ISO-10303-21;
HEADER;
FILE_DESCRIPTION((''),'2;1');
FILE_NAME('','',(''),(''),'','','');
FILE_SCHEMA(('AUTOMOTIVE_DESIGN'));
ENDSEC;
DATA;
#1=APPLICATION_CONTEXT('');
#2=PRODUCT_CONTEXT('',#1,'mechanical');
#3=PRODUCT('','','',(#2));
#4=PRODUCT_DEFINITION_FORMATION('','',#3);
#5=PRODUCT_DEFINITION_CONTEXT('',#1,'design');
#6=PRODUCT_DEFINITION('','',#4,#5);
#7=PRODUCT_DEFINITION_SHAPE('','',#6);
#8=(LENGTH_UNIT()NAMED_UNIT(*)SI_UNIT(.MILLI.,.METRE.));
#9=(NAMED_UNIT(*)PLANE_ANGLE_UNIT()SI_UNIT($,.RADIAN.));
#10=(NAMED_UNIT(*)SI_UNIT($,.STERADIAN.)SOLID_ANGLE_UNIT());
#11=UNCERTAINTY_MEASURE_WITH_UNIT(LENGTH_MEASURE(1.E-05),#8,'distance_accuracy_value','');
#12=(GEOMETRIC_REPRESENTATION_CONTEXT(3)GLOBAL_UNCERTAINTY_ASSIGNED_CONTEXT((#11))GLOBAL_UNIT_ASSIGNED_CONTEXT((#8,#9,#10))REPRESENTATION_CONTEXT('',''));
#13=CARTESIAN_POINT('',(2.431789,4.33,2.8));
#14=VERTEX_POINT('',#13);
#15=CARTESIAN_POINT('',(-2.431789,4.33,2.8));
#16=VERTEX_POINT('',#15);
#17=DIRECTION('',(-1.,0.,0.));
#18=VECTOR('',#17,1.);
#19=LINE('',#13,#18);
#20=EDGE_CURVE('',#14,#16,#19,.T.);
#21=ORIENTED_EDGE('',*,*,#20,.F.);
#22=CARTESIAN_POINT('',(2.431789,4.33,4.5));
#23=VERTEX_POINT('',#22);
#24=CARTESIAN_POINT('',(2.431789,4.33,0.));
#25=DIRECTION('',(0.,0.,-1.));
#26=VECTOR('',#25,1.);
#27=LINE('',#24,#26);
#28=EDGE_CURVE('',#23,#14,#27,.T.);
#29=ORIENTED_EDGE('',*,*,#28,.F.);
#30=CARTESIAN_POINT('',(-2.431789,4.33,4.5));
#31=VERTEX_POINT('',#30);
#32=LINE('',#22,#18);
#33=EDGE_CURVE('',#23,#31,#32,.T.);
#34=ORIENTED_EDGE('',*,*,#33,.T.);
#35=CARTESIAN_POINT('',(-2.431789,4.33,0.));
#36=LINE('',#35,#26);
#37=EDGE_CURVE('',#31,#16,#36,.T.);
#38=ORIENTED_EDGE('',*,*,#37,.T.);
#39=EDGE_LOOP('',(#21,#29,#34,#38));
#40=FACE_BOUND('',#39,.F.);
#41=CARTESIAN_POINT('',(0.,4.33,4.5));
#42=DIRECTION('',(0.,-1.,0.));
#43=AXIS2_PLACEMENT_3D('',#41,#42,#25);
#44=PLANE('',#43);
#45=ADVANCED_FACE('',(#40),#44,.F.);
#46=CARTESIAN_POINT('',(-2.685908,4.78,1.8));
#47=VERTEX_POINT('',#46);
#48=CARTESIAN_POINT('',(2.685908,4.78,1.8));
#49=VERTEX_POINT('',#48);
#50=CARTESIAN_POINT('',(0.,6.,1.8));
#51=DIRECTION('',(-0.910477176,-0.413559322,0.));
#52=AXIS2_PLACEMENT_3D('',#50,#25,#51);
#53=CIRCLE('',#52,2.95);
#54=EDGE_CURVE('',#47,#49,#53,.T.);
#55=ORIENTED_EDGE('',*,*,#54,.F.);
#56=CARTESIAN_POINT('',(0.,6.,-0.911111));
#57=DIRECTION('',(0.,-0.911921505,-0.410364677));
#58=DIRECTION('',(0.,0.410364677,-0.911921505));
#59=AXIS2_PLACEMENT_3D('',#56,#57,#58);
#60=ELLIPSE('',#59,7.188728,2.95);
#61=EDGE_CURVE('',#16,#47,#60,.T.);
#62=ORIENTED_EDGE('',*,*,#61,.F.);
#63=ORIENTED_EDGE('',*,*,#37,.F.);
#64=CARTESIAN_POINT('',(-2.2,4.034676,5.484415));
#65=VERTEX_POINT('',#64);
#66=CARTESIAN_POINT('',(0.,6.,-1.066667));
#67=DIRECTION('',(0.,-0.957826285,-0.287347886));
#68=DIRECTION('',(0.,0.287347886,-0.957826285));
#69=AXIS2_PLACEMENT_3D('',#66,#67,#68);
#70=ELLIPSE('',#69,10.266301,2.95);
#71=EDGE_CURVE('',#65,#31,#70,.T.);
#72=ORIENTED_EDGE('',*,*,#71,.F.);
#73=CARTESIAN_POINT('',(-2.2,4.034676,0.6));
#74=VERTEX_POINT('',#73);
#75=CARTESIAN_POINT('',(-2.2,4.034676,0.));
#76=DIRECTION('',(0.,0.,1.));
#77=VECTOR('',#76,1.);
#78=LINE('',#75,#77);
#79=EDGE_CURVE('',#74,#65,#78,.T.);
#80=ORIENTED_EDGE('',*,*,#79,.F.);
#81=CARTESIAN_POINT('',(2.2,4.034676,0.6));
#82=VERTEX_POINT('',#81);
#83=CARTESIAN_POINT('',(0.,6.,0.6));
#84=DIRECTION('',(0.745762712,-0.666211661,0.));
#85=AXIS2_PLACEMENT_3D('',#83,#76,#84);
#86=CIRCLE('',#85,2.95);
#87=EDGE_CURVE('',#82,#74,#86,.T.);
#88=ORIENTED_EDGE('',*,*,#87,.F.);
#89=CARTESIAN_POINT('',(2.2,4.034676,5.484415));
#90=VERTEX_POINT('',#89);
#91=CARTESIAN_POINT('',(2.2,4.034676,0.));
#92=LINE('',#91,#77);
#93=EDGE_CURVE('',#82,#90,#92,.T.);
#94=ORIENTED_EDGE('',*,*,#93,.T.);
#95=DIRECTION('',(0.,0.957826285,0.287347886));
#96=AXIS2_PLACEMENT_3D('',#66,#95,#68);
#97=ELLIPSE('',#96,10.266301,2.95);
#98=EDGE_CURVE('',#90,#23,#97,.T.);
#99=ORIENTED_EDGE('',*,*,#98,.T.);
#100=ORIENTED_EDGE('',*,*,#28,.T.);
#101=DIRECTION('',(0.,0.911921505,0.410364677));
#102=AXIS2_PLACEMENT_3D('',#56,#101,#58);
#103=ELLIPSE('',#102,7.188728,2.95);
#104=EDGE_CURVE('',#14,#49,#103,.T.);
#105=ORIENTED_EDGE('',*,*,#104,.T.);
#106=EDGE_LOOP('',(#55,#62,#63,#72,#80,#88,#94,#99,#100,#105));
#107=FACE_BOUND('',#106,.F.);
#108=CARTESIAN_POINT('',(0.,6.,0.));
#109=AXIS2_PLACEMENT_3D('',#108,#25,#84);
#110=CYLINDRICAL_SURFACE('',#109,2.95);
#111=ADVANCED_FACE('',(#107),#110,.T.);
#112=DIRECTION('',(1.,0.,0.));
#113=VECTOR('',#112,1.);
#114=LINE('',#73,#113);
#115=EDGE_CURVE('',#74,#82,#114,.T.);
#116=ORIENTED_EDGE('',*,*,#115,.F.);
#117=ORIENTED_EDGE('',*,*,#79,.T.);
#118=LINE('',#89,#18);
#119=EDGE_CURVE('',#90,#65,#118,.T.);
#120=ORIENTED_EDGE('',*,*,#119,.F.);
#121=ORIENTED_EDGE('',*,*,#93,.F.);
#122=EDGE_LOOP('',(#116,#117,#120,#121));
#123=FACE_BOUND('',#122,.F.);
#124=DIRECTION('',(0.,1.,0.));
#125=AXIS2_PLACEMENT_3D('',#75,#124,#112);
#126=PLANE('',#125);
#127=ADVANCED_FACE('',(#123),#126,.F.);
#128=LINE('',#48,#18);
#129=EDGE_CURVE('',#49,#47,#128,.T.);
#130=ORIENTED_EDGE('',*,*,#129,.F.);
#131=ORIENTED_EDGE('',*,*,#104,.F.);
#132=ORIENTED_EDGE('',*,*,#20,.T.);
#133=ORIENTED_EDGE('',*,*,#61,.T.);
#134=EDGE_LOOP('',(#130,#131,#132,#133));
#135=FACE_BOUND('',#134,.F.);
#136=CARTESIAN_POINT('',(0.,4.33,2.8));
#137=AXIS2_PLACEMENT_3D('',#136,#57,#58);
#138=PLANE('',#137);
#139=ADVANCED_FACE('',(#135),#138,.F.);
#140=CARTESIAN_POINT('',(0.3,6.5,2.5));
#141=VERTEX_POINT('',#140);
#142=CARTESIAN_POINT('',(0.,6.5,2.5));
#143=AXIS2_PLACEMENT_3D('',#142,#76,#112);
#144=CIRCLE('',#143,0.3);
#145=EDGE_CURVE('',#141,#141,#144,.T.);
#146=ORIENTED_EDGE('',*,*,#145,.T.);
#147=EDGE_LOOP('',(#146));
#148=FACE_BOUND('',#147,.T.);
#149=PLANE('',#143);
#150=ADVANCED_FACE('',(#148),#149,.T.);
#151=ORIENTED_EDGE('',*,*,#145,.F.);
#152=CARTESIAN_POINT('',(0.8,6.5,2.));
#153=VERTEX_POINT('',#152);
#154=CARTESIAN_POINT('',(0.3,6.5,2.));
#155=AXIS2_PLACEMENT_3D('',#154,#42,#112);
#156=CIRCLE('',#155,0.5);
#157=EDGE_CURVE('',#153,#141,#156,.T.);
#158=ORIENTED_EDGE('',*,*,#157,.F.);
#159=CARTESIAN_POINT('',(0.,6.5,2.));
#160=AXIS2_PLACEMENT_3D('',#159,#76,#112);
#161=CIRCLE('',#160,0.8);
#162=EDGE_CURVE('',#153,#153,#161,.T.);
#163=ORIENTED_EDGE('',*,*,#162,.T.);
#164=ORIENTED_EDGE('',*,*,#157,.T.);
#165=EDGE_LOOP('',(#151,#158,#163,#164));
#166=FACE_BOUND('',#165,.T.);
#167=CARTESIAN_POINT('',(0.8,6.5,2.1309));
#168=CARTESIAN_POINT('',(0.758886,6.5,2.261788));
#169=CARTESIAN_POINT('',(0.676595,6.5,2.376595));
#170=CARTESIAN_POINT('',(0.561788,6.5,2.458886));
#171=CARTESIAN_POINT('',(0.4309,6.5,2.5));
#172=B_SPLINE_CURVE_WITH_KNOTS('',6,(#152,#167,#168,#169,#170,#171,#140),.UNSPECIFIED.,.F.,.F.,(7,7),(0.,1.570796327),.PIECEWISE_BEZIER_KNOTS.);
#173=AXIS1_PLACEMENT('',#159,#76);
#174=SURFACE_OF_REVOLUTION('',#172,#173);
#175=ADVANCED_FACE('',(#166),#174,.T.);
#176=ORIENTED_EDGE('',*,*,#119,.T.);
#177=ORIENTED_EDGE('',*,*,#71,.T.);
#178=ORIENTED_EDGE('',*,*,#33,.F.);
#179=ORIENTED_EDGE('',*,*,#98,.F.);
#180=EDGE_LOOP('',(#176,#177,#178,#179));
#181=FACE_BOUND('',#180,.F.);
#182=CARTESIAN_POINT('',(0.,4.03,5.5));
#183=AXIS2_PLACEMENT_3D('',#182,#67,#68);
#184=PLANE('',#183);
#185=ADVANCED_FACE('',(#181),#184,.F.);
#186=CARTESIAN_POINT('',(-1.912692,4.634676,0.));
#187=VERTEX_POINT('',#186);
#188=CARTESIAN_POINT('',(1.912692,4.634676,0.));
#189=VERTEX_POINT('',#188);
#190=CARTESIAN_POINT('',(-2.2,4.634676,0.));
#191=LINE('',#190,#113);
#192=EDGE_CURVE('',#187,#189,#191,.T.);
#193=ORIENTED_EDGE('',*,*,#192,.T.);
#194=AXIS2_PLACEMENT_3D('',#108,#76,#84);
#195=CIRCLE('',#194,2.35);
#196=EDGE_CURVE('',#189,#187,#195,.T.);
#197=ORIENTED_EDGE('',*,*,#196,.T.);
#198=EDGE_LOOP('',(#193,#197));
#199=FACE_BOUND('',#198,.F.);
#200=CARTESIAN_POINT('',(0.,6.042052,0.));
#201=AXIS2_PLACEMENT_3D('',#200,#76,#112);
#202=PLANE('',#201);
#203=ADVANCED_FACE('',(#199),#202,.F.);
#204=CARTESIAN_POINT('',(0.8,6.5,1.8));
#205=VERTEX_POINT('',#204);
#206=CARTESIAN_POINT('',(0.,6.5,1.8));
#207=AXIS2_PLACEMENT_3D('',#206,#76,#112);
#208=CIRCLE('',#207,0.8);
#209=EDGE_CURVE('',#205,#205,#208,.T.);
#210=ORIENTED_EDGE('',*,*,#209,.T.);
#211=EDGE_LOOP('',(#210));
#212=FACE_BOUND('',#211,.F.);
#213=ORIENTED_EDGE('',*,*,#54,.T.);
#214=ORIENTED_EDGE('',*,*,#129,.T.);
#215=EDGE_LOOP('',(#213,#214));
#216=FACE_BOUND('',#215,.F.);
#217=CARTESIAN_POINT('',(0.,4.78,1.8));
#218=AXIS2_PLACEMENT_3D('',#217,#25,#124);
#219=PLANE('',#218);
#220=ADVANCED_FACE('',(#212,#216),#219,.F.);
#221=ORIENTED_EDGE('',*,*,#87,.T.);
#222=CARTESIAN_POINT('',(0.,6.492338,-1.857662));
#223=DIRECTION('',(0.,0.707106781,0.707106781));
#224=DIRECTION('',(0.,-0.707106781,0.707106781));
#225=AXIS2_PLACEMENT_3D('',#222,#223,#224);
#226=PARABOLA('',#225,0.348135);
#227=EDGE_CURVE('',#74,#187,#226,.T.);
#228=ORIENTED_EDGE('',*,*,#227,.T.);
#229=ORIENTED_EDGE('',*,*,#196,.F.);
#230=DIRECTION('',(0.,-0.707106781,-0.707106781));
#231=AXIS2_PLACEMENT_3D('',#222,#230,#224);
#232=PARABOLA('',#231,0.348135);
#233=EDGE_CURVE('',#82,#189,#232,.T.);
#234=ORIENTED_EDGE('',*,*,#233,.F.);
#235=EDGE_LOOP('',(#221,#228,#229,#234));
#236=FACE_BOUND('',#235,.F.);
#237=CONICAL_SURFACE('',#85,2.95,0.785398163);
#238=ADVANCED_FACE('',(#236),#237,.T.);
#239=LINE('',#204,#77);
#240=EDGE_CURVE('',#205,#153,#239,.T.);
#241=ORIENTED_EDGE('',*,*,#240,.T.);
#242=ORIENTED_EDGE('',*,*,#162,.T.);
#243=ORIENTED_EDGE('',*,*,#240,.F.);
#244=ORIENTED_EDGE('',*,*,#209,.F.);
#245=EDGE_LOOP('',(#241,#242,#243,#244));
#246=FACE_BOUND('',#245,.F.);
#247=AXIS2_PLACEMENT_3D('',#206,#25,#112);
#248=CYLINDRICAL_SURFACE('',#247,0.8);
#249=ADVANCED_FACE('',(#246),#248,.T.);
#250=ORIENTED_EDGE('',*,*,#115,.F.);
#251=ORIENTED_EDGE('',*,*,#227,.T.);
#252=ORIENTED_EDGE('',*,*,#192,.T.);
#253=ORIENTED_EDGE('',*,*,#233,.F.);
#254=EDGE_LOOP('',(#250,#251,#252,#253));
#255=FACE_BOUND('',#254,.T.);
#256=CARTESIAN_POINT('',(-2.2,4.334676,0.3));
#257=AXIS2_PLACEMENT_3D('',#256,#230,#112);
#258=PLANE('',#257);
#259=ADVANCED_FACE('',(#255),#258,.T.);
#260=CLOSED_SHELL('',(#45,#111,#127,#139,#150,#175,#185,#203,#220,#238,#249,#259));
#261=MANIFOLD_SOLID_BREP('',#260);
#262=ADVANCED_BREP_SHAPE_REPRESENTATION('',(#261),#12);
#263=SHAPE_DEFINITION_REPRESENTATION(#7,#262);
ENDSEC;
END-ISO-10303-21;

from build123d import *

# Parameters (mm, degrees)
PAD003_DEPTH         = 5.5
POCKET004_DEPTH      = 2.951
POCKET004_DEPTH_BACK = 2.951
SKETCH013_R          = 0.8
PAD006_DEPTH         = 0.7
FILLET_R             = 0.5
CHAMFER004_SIZE      = 0.6


with BuildPart() as part:
    # Sketch004 → Pad003 (new body)
    with BuildSketch(Plane.XY):
        with BuildLine():
            ThreePointArc((2.2, -1.9653244007), (0, 2.95), (-2.2, -1.9653244007))
            Line((-2.2, -1.9653244007), (2.2, -1.9653244007))
        make_face()
    extrude(amount=PAD003_DEPTH)

    # Sketch014 → Pocket004 (cut, two sides)
    with BuildSketch(Plane.YZ) as pocket004_sk:
        Polygon((-1.97, 5.5), (-1.67, 4.5), (-1.67, 2.8), (-1.22, 1.8), (4, 1.8), (4, 5.5), align=None)
    extrude(amount=-POCKET004_DEPTH, mode=Mode.SUBTRACT)
    extrude(pocket004_sk.sketch, amount=POCKET004_DEPTH_BACK, mode=Mode.SUBTRACT)

    # Sketch013 (on Face7 of Pocket004) → Pad006 (join)
    with BuildSketch(Plane.XY.offset(1.8)):
        with Locations((0, 0.5)):
            Circle(SKETCH013_R)
    extrude(amount=PAD006_DEPTH)

    # Fillet
    fillet_edges = [part.edges().sort_by_distance(p)[0] for p in [
        (-0.8, 0.5, 2.5),
    ]]
    fillet(fillet_edges, radius=FILLET_R)

    # Chamfer004
    chamfer004_edges = [part.edges().sort_by_distance(p)[0] for p in [
        (0, 2.95, 0),
        (0, -1.965324, 0),
    ]]
    chamfer(chamfer004_edges, length=CHAMFER004_SIZE)


with BuildPart() as part_1:
    # Body020 placement: moved
    add(part.part.moved(Location((0, 6, 0))))


solid = part_1.part
